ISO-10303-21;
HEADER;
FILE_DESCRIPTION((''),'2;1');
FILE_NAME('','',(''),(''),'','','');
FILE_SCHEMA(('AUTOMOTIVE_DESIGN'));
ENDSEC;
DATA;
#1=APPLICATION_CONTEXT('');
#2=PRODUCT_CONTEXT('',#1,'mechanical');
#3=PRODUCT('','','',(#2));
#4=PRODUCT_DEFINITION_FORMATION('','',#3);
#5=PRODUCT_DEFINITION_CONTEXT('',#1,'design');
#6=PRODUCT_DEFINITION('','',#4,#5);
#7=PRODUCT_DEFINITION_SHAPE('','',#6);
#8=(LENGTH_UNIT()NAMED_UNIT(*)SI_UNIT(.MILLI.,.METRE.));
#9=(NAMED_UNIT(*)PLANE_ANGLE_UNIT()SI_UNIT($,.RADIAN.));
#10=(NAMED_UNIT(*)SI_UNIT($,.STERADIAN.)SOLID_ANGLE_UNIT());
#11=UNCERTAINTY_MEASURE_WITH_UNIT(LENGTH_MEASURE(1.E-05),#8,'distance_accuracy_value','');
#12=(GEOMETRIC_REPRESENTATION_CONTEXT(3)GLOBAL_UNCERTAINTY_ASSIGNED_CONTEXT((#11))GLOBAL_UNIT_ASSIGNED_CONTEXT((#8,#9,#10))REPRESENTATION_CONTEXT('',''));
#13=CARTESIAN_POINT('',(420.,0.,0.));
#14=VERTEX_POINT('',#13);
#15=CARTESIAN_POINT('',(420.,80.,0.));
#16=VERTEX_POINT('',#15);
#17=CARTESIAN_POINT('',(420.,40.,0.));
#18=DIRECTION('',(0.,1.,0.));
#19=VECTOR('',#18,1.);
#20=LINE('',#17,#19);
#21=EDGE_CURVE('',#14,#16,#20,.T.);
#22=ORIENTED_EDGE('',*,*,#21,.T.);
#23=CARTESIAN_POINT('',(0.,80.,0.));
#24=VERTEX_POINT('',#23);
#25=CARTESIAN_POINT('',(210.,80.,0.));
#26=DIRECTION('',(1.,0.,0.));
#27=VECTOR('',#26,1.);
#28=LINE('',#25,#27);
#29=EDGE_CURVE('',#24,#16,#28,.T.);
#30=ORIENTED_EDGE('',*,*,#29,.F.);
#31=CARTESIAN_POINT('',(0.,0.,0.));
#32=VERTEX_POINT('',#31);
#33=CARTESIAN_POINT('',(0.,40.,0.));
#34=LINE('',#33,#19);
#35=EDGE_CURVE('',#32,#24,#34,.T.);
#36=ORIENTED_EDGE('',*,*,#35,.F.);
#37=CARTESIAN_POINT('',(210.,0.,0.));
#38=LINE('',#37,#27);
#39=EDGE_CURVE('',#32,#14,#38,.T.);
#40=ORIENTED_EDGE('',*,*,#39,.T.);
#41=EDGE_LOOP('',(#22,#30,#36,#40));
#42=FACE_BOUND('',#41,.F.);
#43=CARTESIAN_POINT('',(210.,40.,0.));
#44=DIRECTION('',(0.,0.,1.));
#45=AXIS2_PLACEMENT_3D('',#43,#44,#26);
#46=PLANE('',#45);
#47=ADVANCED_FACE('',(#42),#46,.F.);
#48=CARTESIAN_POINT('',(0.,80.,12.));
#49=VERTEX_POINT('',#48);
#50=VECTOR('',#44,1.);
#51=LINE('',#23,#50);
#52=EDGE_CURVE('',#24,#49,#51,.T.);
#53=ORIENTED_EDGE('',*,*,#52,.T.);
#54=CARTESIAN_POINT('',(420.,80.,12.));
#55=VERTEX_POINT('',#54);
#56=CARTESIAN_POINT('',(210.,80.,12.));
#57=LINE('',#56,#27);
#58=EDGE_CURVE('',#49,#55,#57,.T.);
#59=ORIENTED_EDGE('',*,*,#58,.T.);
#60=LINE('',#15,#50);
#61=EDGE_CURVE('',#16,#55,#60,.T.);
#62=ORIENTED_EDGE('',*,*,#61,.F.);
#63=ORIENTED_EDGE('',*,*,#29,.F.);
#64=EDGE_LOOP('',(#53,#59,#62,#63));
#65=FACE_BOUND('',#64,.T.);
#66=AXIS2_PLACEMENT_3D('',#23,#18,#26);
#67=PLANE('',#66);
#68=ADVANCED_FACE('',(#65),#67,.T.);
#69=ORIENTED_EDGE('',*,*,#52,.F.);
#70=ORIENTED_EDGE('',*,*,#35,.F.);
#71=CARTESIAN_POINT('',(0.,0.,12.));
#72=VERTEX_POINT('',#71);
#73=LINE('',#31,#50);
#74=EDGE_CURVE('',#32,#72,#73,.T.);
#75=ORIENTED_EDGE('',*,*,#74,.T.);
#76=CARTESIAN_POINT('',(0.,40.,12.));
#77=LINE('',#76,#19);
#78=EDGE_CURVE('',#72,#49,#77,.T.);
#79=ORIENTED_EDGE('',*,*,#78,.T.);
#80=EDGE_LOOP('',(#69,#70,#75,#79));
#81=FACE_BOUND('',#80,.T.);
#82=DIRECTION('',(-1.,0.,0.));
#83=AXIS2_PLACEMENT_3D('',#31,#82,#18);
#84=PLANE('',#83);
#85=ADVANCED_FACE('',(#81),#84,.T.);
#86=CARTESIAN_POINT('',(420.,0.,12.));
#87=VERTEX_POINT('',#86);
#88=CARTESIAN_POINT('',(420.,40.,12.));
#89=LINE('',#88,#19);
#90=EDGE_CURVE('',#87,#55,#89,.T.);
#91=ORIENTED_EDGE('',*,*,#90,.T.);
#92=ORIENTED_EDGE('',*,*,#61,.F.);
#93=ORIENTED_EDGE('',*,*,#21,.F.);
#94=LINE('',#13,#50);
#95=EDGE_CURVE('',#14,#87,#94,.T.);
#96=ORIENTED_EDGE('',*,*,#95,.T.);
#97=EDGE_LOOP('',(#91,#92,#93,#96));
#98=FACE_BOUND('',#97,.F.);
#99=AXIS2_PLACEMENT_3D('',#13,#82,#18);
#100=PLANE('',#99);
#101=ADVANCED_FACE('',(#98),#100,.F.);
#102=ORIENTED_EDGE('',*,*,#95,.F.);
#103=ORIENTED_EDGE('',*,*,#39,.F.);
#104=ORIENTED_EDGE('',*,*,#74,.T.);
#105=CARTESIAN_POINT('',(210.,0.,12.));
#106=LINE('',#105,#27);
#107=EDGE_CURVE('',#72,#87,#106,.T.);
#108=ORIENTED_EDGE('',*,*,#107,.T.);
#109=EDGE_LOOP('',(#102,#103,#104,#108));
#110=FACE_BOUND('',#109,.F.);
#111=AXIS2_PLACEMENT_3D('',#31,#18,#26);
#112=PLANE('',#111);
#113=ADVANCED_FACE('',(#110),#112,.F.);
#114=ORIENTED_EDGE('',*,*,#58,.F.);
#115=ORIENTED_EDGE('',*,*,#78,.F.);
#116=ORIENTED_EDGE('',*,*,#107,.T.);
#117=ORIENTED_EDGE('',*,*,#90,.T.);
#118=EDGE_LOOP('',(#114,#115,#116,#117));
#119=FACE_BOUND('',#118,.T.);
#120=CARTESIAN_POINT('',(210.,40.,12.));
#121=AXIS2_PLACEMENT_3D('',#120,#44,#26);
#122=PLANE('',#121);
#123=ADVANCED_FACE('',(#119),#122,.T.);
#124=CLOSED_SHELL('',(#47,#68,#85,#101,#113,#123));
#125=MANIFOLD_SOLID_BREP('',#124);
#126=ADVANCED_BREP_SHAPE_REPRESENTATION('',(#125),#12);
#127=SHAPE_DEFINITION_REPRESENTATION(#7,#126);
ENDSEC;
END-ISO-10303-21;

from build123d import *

# Parameters (mm, degrees)
SKETCH_W  = 420
SKETCH_H  = 80
PAD_DEPTH = 12


with BuildPart() as part:
    # Sketch → Pad (new body)
    with BuildSketch(Plane.XY):
        with Locations((210, 40)):
            Rectangle(SKETCH_W, SKETCH_H)
    extrude(amount=PAD_DEPTH)


solid = part.part
